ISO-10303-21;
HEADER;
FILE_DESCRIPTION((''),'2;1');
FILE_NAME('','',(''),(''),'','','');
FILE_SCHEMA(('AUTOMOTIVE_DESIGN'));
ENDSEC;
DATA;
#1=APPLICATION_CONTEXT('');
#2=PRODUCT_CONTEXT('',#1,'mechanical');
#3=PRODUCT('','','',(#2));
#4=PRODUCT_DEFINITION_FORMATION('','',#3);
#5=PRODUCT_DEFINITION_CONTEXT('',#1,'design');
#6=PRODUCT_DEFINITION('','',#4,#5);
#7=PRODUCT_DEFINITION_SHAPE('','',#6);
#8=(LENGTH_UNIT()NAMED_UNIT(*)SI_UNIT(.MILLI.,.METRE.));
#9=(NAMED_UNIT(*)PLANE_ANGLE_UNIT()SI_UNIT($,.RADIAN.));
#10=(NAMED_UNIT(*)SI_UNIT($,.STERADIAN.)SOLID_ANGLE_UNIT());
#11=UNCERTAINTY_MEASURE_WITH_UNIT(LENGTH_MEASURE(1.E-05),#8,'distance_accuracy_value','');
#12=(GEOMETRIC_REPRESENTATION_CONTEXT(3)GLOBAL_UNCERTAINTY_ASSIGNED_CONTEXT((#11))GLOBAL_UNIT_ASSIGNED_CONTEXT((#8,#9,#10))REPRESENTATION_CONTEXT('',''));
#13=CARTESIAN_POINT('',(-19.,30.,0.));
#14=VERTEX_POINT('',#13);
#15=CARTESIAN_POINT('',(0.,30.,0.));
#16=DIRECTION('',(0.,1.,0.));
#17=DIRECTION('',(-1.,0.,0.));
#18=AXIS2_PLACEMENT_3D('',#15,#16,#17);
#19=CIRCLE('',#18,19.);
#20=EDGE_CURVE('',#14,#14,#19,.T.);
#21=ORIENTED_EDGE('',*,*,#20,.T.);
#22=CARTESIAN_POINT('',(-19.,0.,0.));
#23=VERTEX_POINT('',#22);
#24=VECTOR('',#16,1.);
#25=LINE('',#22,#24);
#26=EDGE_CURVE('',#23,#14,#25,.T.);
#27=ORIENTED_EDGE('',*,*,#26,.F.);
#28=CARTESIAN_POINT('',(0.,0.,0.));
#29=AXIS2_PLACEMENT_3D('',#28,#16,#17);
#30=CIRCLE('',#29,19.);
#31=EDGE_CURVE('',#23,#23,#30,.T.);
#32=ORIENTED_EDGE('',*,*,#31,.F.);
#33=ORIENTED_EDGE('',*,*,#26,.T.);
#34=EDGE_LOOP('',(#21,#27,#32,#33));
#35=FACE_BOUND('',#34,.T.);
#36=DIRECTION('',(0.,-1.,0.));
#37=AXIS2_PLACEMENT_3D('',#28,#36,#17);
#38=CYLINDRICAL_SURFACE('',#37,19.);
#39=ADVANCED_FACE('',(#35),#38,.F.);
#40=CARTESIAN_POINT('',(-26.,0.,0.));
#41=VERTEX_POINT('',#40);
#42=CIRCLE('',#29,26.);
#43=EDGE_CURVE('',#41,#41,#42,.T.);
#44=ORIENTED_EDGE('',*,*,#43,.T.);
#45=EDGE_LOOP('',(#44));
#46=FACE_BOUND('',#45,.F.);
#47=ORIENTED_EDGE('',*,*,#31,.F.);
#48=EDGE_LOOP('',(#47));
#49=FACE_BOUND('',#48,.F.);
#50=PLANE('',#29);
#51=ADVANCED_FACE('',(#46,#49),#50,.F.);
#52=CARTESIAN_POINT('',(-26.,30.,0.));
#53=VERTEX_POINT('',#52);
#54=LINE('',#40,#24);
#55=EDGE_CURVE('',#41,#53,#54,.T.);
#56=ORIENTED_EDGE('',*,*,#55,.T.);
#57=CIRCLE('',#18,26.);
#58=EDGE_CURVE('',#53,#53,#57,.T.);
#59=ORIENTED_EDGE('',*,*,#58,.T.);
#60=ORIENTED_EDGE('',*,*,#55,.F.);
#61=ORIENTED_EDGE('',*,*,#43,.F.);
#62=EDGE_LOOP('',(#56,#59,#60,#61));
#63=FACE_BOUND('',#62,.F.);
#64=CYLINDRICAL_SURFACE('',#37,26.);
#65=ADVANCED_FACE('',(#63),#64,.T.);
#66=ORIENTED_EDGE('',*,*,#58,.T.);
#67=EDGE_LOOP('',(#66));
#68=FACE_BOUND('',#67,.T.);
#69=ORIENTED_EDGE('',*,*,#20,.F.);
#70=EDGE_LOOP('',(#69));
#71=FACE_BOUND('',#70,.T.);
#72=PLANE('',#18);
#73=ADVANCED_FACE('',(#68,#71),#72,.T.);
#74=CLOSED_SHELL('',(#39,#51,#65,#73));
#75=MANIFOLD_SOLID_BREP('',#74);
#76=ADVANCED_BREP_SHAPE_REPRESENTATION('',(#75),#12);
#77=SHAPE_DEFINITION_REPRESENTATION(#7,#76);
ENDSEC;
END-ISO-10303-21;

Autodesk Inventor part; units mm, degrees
ref_plane "YZ Plane" through (0, 0, 0) normal (1, 0, 0) x (0, 1, 0)
ref_plane "XZ Plane" through (0, 0, 0) normal (0, 1, 0) x (-1, 0, 0)
ref_plane "XY Plane" through (0, 0, 0) normal (0, 0, 1) x (1, 0, 0)
sketch "Sketch1" plane through (0, 0, 0) normal (0, 1, 0) x (-1, 0, 0)
  circle A0 centre (0, 0) radius 26
  circle A1 centre (0, 0) radius 19
  dimension "d0" = 52
  dimension "d1" = 38
extrude "Extrusion1" add sketch "Sketch1" along normal blind 30
properties part number "52" material "Glass"
